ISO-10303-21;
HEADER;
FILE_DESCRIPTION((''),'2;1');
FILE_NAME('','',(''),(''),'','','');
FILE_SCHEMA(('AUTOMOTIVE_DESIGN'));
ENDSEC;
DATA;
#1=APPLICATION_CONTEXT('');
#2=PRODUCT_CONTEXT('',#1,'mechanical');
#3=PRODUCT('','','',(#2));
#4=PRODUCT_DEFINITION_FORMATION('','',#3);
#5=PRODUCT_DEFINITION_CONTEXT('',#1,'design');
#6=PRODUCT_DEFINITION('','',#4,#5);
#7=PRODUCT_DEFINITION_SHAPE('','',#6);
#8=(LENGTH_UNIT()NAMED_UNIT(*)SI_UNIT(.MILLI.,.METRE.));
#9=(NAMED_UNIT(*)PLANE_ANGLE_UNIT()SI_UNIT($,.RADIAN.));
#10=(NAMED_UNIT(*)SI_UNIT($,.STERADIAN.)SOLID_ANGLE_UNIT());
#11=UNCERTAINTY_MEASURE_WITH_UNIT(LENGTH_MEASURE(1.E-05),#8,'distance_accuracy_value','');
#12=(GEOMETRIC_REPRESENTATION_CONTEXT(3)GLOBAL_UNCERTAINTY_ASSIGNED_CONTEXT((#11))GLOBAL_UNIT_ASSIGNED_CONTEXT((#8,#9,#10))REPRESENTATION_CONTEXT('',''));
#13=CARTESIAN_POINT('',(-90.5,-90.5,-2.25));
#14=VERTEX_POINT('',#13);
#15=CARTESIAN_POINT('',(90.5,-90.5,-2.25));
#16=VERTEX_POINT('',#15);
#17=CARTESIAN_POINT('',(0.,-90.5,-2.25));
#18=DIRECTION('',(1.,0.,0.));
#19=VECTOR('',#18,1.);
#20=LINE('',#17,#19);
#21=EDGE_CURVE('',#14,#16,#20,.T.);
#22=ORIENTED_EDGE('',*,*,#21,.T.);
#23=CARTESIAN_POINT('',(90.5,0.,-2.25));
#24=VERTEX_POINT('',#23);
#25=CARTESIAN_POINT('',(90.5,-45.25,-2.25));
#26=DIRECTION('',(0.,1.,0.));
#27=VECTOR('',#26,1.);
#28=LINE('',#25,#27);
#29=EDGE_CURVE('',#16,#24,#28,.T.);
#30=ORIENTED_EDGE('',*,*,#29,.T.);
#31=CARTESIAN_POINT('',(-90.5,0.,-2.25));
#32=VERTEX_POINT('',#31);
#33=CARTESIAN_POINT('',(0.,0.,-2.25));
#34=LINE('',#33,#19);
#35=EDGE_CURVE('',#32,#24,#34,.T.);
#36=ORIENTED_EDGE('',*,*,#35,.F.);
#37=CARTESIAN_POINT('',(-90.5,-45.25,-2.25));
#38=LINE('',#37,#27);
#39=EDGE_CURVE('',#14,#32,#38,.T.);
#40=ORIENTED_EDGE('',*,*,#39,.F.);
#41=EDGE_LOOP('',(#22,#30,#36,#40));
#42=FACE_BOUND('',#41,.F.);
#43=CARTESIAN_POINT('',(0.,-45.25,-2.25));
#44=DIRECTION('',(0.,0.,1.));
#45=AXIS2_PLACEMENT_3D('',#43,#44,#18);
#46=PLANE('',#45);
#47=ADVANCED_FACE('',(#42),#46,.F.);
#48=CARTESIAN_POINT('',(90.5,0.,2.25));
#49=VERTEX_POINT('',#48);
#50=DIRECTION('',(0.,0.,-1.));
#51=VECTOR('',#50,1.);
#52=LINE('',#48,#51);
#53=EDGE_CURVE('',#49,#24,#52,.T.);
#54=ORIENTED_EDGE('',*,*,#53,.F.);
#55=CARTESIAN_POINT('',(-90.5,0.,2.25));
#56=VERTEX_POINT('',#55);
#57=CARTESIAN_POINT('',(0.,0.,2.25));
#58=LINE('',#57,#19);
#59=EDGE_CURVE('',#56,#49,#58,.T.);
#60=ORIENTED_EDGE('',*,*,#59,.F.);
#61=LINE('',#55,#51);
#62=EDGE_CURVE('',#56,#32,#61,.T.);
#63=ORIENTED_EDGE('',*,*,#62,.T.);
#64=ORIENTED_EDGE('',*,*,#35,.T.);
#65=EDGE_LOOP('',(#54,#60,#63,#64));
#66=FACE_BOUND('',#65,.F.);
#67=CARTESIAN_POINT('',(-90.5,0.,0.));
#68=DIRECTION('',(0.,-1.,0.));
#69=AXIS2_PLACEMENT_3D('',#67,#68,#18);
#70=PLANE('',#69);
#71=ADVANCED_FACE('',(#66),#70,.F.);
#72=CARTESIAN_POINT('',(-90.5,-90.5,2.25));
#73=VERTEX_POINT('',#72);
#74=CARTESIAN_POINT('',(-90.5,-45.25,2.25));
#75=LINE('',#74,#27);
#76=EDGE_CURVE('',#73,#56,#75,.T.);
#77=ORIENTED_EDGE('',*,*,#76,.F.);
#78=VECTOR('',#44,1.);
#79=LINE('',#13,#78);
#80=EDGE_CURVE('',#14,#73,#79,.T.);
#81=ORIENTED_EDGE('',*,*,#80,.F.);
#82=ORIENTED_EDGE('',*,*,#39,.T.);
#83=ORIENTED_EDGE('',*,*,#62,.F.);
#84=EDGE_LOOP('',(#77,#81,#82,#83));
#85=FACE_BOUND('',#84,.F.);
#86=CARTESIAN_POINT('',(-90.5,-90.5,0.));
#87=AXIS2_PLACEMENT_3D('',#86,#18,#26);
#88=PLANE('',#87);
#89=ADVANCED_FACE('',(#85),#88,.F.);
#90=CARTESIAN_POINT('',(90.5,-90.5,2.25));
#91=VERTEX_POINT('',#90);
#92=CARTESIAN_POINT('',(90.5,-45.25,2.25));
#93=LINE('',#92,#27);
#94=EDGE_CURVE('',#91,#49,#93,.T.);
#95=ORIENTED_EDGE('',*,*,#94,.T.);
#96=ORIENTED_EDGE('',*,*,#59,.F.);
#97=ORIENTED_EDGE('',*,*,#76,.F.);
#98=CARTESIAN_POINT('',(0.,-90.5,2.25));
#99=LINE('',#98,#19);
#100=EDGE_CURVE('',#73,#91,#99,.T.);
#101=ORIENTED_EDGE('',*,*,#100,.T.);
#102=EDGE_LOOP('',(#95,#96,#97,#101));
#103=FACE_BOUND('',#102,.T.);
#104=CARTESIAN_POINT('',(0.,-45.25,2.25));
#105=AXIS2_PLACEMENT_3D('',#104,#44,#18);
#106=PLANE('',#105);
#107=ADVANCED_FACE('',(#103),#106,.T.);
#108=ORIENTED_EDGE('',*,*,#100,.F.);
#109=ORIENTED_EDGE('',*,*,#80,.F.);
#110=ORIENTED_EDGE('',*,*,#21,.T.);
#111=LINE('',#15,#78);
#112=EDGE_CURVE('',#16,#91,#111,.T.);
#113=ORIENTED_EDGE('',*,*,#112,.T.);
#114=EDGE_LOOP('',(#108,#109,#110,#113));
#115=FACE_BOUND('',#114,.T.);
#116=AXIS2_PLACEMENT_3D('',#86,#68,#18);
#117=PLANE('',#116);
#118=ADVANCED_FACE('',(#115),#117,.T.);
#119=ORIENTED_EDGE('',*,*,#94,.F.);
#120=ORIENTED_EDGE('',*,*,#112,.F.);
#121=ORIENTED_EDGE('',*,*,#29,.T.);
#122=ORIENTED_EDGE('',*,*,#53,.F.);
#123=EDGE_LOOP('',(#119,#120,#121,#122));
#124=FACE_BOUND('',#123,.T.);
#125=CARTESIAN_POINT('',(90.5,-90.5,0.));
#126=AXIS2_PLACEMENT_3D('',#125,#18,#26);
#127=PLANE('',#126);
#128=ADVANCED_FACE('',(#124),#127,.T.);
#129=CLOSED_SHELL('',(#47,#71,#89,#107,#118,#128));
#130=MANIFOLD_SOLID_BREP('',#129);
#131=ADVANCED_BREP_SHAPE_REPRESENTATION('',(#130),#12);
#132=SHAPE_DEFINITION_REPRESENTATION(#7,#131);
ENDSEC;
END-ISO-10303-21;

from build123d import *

# Parameters (mm, degrees)
SKETCH1_W           = 181
SKETCH1_H           = 90.5
BOSS_EXTRUDE1_DEPTH = 2.25


with BuildPart() as part:
    # Sketch1 → Boss-Extrude1 (new body, symmetric)
    with BuildSketch(Plane.XY):
        with Locations((0, -45.25)):
            Rectangle(SKETCH1_W, SKETCH1_H)
    extrude(amount=BOSS_EXTRUDE1_DEPTH, both=True)


solid = part.part
